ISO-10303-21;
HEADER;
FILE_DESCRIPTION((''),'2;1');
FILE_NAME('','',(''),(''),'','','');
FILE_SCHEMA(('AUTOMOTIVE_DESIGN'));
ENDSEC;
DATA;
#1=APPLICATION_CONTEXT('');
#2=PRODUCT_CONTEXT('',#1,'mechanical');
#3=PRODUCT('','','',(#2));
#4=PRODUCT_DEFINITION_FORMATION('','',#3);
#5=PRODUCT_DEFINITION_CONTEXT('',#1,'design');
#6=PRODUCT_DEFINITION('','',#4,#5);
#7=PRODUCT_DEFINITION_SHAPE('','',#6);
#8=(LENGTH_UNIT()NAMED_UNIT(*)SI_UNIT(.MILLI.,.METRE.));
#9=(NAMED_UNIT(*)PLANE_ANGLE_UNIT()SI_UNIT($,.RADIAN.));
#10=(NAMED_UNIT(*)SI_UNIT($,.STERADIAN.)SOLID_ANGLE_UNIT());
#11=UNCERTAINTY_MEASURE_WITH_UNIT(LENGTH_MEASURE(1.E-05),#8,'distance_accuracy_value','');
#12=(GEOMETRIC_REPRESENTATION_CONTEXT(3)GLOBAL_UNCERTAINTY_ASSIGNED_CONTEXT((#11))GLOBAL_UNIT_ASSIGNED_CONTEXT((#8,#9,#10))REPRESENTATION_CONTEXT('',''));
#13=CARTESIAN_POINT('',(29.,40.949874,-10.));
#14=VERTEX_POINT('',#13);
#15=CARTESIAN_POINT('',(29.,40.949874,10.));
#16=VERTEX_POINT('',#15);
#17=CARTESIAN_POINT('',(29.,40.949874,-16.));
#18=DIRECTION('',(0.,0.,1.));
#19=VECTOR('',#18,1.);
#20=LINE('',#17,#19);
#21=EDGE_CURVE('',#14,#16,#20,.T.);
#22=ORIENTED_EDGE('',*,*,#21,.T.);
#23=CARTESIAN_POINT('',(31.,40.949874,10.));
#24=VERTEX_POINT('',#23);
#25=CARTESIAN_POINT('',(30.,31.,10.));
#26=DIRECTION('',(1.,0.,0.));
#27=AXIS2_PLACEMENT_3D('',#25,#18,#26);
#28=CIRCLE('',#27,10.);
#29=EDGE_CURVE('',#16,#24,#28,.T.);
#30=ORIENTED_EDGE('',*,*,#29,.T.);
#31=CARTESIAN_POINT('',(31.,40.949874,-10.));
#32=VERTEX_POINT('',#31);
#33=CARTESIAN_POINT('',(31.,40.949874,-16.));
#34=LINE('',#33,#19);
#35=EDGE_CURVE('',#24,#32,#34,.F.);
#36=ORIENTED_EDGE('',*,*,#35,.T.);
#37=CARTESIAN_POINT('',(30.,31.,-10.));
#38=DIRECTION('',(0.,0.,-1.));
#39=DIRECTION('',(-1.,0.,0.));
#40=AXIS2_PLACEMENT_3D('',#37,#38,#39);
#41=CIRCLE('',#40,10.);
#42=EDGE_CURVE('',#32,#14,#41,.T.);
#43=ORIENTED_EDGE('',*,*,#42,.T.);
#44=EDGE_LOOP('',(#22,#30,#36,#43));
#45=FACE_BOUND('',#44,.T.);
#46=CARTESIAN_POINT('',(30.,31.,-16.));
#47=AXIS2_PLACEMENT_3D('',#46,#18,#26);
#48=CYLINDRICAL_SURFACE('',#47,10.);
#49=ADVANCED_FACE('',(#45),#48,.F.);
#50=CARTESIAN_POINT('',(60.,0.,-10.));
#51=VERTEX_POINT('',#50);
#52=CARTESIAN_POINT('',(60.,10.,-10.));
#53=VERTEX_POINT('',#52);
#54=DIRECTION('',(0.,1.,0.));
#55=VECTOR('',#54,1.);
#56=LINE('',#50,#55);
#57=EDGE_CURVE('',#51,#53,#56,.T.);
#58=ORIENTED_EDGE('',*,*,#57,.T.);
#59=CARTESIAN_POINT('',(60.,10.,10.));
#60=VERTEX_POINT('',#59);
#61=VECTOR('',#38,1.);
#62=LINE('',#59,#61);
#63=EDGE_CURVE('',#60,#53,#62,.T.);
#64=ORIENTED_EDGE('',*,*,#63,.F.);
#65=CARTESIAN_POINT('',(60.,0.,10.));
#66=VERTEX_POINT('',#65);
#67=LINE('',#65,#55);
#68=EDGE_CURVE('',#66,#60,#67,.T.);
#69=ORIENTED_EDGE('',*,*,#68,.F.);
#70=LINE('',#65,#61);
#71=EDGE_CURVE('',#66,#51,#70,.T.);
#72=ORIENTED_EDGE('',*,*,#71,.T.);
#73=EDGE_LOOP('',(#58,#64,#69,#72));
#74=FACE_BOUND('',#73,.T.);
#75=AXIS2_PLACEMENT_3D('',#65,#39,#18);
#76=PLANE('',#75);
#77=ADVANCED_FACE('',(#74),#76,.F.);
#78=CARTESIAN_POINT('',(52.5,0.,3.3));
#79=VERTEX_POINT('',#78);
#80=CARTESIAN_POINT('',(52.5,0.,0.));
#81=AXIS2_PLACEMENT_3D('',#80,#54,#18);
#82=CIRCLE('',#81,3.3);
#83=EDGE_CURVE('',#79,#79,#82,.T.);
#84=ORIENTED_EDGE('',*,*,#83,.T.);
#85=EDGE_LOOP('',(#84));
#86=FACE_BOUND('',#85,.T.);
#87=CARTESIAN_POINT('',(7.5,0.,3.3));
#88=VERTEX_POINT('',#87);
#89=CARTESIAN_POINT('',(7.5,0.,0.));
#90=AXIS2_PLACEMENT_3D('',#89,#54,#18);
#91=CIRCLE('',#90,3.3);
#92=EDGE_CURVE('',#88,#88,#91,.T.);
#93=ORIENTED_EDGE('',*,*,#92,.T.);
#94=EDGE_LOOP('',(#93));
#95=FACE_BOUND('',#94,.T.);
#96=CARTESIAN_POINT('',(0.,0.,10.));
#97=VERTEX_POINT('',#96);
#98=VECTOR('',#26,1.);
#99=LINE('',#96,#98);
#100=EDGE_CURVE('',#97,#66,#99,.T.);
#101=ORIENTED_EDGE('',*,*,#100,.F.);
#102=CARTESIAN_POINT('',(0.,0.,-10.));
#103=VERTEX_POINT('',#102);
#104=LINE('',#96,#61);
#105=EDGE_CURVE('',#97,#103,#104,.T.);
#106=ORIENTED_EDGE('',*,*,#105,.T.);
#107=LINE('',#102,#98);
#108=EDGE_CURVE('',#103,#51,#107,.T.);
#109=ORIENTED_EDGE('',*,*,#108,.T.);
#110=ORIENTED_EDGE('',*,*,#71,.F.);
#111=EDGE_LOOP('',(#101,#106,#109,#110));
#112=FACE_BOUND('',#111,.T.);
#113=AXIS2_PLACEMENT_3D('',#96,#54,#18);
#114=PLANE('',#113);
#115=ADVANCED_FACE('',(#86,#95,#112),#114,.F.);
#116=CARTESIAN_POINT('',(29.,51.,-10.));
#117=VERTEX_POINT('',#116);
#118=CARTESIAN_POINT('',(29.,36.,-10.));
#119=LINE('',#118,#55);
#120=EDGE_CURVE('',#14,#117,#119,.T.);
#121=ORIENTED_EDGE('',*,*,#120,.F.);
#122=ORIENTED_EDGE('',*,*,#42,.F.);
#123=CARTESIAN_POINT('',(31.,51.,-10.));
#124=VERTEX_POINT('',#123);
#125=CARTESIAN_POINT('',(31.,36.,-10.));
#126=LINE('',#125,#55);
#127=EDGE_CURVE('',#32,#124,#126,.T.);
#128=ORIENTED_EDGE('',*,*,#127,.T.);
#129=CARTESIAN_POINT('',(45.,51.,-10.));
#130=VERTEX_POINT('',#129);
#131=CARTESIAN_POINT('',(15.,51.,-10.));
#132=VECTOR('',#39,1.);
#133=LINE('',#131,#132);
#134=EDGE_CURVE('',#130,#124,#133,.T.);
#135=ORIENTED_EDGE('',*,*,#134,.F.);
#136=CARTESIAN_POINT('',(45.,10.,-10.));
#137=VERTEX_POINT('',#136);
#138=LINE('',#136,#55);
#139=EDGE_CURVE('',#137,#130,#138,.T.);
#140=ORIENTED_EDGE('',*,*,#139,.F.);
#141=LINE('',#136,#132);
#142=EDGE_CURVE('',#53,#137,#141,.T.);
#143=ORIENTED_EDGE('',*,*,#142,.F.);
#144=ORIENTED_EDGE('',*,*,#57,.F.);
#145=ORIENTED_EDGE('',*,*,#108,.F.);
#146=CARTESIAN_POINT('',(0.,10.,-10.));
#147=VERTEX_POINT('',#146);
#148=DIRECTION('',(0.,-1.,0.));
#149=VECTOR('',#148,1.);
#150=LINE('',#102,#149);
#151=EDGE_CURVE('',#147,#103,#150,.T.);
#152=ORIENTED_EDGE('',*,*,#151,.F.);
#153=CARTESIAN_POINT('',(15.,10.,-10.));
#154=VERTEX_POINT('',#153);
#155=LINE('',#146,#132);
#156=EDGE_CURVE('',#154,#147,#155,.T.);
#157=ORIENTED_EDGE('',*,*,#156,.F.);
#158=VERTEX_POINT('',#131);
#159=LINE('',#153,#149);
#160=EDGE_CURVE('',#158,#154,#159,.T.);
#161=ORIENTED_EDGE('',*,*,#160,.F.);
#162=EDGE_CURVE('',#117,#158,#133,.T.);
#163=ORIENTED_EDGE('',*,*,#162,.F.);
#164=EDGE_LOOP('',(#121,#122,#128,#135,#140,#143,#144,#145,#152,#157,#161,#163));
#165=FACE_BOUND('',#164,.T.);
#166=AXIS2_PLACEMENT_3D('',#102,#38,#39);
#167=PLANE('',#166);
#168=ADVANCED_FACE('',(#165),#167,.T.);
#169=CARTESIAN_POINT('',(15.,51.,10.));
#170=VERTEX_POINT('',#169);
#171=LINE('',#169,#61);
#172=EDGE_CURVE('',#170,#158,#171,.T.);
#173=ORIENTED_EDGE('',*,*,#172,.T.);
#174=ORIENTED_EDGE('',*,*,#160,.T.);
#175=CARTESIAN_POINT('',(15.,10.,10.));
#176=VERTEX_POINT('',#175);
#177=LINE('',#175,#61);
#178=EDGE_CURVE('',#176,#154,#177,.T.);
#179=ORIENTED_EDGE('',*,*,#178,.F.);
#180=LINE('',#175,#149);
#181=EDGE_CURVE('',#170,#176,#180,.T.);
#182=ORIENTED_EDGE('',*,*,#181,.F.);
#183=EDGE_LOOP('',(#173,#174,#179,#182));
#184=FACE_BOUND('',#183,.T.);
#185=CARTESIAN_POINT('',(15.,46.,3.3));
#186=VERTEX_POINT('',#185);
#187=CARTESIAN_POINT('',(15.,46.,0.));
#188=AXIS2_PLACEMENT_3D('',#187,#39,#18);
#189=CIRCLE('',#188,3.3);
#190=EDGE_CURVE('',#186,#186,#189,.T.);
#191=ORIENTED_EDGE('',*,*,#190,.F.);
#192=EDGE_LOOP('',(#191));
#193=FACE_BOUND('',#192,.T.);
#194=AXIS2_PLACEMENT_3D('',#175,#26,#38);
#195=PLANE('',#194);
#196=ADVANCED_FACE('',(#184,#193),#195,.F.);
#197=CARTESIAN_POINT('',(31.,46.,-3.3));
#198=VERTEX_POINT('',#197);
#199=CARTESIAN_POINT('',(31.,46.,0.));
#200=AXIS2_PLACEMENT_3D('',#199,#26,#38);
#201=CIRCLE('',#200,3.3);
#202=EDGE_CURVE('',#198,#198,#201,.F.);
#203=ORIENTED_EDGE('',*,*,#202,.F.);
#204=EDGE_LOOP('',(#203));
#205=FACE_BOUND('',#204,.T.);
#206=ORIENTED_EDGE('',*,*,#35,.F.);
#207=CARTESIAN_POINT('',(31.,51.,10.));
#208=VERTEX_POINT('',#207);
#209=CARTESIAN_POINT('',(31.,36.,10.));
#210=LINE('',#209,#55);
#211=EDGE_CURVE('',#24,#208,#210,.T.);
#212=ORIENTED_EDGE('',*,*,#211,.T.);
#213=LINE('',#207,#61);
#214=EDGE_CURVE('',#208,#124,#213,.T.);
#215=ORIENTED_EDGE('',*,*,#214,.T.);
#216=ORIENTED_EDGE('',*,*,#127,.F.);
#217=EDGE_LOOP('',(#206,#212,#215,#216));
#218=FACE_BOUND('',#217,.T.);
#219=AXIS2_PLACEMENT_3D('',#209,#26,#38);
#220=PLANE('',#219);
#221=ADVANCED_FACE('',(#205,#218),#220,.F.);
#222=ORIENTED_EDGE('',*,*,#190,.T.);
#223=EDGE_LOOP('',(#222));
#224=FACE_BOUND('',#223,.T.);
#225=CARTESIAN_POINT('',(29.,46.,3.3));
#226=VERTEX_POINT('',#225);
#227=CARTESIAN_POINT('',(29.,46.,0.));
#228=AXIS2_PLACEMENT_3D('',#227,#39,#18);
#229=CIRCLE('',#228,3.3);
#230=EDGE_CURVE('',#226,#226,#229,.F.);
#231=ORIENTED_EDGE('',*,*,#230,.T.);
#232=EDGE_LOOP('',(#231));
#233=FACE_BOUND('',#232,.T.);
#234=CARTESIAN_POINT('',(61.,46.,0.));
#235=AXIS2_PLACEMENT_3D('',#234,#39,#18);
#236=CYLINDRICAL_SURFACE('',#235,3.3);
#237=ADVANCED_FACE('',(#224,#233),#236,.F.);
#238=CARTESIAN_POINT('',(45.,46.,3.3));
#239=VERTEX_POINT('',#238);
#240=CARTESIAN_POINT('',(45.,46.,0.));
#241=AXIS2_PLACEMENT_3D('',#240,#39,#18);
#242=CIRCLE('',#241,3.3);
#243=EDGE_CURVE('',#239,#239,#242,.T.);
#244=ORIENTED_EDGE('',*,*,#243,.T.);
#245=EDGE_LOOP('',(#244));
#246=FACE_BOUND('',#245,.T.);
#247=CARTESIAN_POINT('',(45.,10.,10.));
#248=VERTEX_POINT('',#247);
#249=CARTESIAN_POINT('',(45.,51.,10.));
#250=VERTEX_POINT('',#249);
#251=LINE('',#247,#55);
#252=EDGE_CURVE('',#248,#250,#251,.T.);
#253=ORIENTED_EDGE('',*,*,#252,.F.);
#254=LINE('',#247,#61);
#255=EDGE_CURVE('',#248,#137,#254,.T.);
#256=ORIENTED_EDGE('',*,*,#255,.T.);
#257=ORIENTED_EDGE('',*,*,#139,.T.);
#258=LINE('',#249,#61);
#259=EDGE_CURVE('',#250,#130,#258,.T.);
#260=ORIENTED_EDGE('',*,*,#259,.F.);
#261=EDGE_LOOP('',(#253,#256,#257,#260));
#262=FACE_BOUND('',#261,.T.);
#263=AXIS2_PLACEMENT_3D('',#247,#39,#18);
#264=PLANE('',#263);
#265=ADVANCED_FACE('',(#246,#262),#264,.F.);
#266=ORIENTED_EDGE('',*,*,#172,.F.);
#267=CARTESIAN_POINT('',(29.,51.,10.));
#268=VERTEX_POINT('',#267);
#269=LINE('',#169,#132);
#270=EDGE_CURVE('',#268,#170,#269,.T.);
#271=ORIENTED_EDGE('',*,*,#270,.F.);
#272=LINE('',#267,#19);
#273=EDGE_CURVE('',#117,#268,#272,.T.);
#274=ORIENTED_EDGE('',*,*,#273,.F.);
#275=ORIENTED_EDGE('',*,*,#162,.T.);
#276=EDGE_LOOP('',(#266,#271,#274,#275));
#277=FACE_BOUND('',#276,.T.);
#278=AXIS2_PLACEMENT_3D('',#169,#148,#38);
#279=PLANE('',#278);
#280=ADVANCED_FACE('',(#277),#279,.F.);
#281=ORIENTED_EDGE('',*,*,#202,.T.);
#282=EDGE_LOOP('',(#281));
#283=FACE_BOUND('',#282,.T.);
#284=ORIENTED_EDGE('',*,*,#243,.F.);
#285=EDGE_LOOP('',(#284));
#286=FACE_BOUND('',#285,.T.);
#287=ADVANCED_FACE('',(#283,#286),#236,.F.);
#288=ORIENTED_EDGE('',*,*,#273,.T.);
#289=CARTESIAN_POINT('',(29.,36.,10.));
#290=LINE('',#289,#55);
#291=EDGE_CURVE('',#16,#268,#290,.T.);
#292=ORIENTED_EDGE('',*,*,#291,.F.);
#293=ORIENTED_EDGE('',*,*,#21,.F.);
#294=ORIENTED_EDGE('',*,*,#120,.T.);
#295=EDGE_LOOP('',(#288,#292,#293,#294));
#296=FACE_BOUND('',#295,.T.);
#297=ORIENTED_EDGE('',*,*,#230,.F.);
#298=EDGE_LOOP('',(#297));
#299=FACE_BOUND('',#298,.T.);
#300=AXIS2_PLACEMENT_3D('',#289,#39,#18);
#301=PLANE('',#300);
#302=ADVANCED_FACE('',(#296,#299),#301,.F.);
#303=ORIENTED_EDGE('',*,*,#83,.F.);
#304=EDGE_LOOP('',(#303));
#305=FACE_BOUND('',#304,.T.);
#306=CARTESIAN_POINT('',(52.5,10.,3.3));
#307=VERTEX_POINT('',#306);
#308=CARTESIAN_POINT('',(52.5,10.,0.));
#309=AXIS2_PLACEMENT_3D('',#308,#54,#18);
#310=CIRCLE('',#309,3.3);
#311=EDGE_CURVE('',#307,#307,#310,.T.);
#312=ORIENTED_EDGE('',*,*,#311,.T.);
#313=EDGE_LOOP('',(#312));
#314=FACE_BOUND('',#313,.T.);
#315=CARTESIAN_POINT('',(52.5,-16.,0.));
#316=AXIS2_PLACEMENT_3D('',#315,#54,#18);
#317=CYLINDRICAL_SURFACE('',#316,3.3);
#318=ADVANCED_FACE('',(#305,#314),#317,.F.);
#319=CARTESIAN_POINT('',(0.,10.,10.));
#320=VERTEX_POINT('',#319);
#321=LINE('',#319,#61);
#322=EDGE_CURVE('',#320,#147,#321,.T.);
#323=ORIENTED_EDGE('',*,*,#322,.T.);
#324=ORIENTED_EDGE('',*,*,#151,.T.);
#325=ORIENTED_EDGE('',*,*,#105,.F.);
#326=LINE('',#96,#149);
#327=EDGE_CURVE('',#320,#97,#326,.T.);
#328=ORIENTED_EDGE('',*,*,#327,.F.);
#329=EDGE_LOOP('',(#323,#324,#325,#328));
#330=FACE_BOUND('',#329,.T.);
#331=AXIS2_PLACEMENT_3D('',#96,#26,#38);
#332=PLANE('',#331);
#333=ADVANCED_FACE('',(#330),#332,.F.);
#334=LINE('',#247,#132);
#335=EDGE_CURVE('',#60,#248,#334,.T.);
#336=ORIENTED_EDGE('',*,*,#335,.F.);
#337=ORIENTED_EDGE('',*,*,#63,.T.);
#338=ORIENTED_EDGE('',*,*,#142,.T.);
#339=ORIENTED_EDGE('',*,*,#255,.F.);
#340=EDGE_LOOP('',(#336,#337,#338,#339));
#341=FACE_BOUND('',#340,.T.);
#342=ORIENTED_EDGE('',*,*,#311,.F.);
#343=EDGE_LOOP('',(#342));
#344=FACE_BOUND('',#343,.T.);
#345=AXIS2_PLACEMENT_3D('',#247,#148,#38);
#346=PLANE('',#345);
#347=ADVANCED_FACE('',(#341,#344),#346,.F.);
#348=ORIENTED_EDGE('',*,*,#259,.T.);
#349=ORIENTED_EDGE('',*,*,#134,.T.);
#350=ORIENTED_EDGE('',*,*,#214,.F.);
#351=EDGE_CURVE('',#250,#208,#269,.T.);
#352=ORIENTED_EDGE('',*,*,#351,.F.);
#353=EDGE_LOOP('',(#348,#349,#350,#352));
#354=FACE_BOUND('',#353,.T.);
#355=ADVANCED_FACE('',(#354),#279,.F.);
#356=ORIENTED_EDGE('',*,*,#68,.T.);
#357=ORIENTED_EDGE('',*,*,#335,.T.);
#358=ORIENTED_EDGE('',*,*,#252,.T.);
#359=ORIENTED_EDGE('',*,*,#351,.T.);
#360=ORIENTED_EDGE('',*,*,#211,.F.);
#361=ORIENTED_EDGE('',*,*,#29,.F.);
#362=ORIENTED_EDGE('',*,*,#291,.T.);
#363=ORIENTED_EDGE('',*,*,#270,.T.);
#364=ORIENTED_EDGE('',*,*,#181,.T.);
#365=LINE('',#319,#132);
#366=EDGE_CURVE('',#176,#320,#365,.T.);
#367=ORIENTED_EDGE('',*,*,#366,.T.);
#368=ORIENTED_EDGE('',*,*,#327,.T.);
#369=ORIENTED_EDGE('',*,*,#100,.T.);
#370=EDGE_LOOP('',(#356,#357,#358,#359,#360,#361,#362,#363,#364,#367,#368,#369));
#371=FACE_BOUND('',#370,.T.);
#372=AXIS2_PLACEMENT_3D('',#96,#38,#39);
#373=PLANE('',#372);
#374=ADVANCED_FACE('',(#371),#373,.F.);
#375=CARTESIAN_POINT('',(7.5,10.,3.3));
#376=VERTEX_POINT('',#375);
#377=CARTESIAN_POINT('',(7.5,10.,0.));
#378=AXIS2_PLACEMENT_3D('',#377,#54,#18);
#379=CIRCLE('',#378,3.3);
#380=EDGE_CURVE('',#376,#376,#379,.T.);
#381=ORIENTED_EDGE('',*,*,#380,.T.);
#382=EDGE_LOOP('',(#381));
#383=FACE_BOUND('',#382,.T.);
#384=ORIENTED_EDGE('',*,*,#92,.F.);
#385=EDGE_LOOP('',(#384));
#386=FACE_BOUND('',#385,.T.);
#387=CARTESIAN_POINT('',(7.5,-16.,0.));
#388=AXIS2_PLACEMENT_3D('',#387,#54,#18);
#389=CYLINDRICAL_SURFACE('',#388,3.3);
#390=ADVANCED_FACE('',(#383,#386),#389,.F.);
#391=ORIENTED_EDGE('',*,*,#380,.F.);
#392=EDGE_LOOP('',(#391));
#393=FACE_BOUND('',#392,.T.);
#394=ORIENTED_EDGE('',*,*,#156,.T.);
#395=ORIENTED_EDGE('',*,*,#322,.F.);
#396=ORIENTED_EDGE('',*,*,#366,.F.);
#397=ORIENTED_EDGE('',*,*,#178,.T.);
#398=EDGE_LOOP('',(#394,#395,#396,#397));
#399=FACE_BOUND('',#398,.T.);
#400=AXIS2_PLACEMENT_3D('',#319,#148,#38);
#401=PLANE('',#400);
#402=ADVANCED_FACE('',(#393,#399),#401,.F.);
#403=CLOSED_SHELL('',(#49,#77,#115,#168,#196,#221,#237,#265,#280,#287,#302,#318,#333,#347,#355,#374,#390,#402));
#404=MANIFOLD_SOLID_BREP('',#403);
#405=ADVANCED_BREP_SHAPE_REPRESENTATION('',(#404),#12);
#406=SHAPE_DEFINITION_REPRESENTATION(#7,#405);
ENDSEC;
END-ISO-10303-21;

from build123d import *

# Parameters (mm, degrees)
BOSS_EXTRUDE1_DEPTH = 10
SKETCH3_R           = 10
CUT_EXTRUDE1_DEPTH  = 26
SKETCH9_R           = 3.3
CUT_EXTRUDE2_DEPTH  = 26
SKETCH10_R          = 3.3
CUT_EXTRUDE3_DEPTH  = 26
SKETCH12_R          = 3.3
CUT_EXTRUDE5_DEPTH  = 46
SKETCH15_W          = 2
SKETCH15_H          = 20
CUT_EXTRUDE7_DEPTH  = 15


with BuildPart() as part:
    # Sketch2 → Boss-Extrude1 (new, symmetric)
    with BuildSketch(Plane.XY):
        Polygon((45, 10), (60, 10), (60, 0), (0, 0), (0, 10), (15, 10), (15, 51), (45, 51), align=None)
    extrude(amount=BOSS_EXTRUDE1_DEPTH, both=True)

    # Sketch3 → Cut-Extrude1 (cut)
    with BuildSketch(Plane.XY.offset(10)):
        with Locations((30, 31)):
            Circle(SKETCH3_R)
    extrude(amount=-CUT_EXTRUDE1_DEPTH, mode=Mode.SUBTRACT)

    # Sketch9 → Cut-Extrude2 (cut)
    with BuildSketch(Plane(origin=(0, 10, 0), x_dir=(1, 0, 0), z_dir=(0, 1, 0))):
        with Locations(Location((7.5, 0, 0), (0, 0, 270))):
            Circle(SKETCH9_R)
    extrude(amount=-CUT_EXTRUDE2_DEPTH, mode=Mode.SUBTRACT)

    # Sketch10 → Cut-Extrude3 (cut)
    with BuildSketch(Plane(origin=(0, 10, 0), x_dir=(1, 0, 0), z_dir=(0, 1, 0))):
        with Locations(Location((52.5, 0, 0), (0, 0, 270))):
            Circle(SKETCH10_R)
    extrude(amount=-CUT_EXTRUDE3_DEPTH, mode=Mode.SUBTRACT)

    # Sketch12 → Cut-Extrude5 (cut)
    with BuildSketch(Plane.ZY.offset(-15)):
        with Locations((0, 46)):
            Circle(SKETCH12_R)
    extrude(amount=-CUT_EXTRUDE5_DEPTH, mode=Mode.SUBTRACT)

    # Sketch15 → Cut-Extrude7 (cut)
    with BuildSketch(Plane(origin=(0, 51, 0), x_dir=(1, 0, 0), z_dir=(0, 1, 0))):
        with Locations((30, 0)):
            Rectangle(SKETCH15_W, SKETCH15_H)
    extrude(amount=-CUT_EXTRUDE7_DEPTH, mode=Mode.SUBTRACT)


solid = part.part
